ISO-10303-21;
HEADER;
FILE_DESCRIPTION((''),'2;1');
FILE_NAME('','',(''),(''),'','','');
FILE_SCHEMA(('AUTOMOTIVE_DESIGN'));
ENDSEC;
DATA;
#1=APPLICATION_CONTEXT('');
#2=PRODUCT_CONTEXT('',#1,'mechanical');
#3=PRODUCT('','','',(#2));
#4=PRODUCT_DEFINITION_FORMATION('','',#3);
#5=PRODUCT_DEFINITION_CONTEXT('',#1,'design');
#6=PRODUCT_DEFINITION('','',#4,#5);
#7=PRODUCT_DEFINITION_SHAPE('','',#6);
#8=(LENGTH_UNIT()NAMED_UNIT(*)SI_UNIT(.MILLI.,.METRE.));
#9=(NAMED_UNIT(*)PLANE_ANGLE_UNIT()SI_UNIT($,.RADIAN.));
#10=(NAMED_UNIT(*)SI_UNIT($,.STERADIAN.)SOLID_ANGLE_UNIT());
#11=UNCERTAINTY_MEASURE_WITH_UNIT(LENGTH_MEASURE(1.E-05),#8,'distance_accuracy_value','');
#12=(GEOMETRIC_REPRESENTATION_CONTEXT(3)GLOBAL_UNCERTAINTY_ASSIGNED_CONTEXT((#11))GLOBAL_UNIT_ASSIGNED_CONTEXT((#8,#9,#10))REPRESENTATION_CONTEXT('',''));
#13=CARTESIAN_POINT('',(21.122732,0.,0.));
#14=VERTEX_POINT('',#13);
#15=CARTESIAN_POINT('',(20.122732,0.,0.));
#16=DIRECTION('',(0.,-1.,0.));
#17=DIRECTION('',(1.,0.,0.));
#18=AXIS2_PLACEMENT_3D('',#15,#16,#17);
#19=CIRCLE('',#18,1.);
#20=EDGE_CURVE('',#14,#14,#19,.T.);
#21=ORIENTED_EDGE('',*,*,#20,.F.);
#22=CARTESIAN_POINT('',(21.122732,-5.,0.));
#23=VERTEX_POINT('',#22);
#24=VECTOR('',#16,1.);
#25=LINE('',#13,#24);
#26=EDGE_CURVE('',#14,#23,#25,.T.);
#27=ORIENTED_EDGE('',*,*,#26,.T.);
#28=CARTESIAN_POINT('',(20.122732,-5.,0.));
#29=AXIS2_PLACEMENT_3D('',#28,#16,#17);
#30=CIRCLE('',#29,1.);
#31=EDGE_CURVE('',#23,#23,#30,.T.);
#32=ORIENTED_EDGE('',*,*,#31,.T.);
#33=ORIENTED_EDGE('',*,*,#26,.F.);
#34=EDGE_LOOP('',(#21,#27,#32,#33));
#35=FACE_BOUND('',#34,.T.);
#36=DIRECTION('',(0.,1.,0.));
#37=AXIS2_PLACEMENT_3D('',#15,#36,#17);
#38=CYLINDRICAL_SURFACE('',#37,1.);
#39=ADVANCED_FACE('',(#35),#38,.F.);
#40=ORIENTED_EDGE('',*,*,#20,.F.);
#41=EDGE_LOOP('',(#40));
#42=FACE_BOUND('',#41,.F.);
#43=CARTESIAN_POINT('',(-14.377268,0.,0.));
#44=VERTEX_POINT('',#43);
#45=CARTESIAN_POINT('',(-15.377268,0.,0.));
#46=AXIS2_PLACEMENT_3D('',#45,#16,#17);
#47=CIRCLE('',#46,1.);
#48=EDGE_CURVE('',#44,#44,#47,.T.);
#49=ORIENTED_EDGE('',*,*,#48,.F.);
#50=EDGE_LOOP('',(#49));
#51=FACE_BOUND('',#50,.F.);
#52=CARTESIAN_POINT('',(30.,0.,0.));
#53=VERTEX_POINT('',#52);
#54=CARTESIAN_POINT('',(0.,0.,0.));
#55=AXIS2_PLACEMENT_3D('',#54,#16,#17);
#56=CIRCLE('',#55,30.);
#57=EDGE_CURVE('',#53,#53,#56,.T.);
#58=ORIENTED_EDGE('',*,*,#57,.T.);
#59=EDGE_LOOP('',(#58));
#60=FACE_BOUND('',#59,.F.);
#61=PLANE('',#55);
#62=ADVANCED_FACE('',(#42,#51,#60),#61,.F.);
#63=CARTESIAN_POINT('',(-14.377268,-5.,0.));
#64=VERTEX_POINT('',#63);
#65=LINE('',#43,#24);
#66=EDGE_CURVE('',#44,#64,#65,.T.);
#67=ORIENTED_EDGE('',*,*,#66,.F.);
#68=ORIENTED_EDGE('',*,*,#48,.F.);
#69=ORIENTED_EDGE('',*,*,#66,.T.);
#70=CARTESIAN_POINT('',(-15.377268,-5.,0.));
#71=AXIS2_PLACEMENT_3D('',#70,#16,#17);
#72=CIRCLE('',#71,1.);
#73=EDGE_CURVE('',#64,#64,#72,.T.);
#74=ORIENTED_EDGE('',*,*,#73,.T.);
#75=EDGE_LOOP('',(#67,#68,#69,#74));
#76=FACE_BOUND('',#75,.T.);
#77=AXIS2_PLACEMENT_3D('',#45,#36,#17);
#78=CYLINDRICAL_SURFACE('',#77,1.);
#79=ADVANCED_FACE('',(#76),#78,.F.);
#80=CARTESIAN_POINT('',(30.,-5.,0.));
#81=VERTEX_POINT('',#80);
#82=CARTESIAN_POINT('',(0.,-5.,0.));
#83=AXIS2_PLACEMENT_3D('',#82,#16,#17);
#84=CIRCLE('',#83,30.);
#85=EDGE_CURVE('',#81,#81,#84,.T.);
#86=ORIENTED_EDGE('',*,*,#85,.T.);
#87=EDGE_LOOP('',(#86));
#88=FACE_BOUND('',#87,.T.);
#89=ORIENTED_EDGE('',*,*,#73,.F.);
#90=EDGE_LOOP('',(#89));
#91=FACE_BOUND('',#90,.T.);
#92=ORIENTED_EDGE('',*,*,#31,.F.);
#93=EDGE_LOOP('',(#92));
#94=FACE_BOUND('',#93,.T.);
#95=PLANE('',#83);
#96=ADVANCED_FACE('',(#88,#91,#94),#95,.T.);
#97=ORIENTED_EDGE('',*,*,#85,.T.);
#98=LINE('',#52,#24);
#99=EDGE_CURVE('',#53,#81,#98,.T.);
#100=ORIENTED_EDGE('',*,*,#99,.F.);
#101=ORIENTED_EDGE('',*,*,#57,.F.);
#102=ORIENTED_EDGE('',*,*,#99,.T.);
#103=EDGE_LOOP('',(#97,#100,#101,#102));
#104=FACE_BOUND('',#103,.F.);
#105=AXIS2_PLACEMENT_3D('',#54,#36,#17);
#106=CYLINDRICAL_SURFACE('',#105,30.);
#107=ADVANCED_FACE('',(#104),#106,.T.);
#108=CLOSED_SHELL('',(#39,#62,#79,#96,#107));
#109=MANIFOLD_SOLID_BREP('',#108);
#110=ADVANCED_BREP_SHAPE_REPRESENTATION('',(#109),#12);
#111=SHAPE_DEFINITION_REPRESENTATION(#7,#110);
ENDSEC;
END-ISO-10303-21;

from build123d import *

# Parameters (mm, degrees)
F0_R     = 30
F0_R_2   = 1
F1_DEPTH = 5


with BuildPart() as f1:
    # F0 (on Front) → F1 (new body)
    with BuildSketch(Plane.XZ):
        Circle(F0_R)
        with BuildLine():
            add(Edge.make_bspline(
                [(-13.7269990519, 18.6152122915), (-15.1371462379, 16.9890722765), (-25.653916579, 18.4158717137), (-15.8511106668, 8.7845823554), (-30.7346974427, 6.8754235383), (-22.3104396416, -0.3450801485), (-28.5168594297, -12.6533137492), (-19.6802737009, -7.7894398944), (-18.7183033933, -20.3052577395), (-8.619427315, -13.5824305291), (-10.8485756599, -27.6919181052), (2.2407443314, -19.5346618116), (6.6691013214, -25.1414717323), (9.0755892453, -26.6599078915), (16.9583510328, -13.4713176979), (19.8583270216, -18.894567834), (21.2340853159, -14.454628511), (20.1886319265, -9.4870429547), (29.0799658375, -10.7330025055), (20.5992686296, -1.7212648743), (29.7543338746, 4.3123800045), (21.6161989339, 9.2363228612), (25.1868039544, 20.0594869088), (9.8165314546, 16.9604540925), (10.9622040359, 29.4586608785), (2.5915422773, 15.9031095923), (-5.6448923703, 24.2289531112), (-16.2332741317, 26.3426807082), (-12.5505094377, 19.9719053075), (-13.7269990519, 18.6152122915)],
                knots=[0, 0, 0, 0, 0.0409048309, 0.076725531, 0.1180334126, 0.1563577395, 0.2000573533, 0.2303991963, 0.2711022151, 0.3070721741, 0.3453024726, 0.3913320254, 0.4263925123, 0.4458011195, 0.4964186338, 0.5193419184, 0.5444966147, 0.573828042, 0.6044241029, 0.6435346722, 0.6821203256, 0.7190026426, 0.7584423834, 0.8049824643, 0.8394722999, 0.8818012473, 0.9279618295, 0.9658729888, 1, 1, 1, 1], degree=3))
        make_face(mode=Mode.SUBTRACT)
        with BuildLine():
            add(Edge.make_bspline(
                [(-13.7269990519, 18.6152122915), (-15.1371462379, 16.9890722765), (-25.653916579, 18.4158717137), (-15.8511106668, 8.7845823554), (-30.7346974427, 6.8754235383), (-22.3104396416, -0.3450801485), (-28.5168594297, -12.6533137492), (-19.6802737009, -7.7894398944), (-18.7183033933, -20.3052577395), (-8.619427315, -13.5824305291), (-10.8485756599, -27.6919181052), (2.2407443314, -19.5346618116), (6.6691013214, -25.1414717323), (9.0755892453, -26.6599078915), (16.9583510328, -13.4713176979), (19.8583270216, -18.894567834), (21.2340853159, -14.454628511), (20.1886319265, -9.4870429547), (29.0799658375, -10.7330025055), (20.5992686296, -1.7212648743), (29.7543338746, 4.3123800045), (21.6161989339, 9.2363228612), (25.1868039544, 20.0594869088), (9.8165314546, 16.9604540925), (10.9622040359, 29.4586608785), (2.5915422773, 15.9031095923), (-5.6448923703, 24.2289531112), (-16.2332741317, 26.3426807082), (-12.5505094377, 19.9719053075), (-13.7269990519, 18.6152122915)],
                knots=[0, 0, 0, 0, 0.0409048309, 0.076725531, 0.1180334126, 0.1563577395, 0.2000573533, 0.2303991963, 0.2711022151, 0.3070721741, 0.3453024726, 0.3913320254, 0.4263925123, 0.4458011195, 0.4964186338, 0.5193419184, 0.5444966147, 0.573828042, 0.6044241029, 0.6435346722, 0.6821203256, 0.7190026426, 0.7584423834, 0.8049824643, 0.8394722999, 0.8818012473, 0.9279618295, 0.9658729888, 1, 1, 1, 1], degree=3))
        make_face()
        with Locations((-15.3772675954, 0)):
            Circle(F0_R_2, mode=Mode.SUBTRACT)
        Polygon((0.1716255203, -2.267636041), (-4.6395142563, -5.3007458337), (-2.7900368436, -0.5325208231), (-6.8591465242, 1.8514018739), (-1.8653717592, 1.8514018739), (0, 6.6606048495), (2.1505607653, 1.8514018739), (6.7052720115, 1.8514018739), (3.1522206, -0.3885652712), (5.3488304839, -5.3007458337), align=None, mode=Mode.SUBTRACT)
        with Locations((20.1227324046, 0)):
            Circle(F0_R_2, mode=Mode.SUBTRACT)
        Polygon((-1.8653717592, 1.8514018739), (-2.7900368436, -0.5325208231), (0.1716255203, -2.267636041), (3.1522206, -0.3885652712), (2.1505607653, 1.8514018739), align=None)
        Polygon((0, 6.6606048495), (-1.8653717592, 1.8514018739), (2.1505607653, 1.8514018739), align=None)
        Polygon((3.1522206, -0.3885652712), (0.1716255203, -2.267636041), (5.3488304839, -5.3007458337), align=None)
        Polygon((-2.7900368436, -0.5325208231), (-4.6395142563, -5.3007458337), (0.1716255203, -2.267636041), align=None)
        Polygon((-6.8591465242, 1.8514018739), (-2.7900368436, -0.5325208231), (-1.8653717592, 1.8514018739), align=None)
        Polygon((2.1505607653, 1.8514018739), (3.1522206, -0.3885652712), (6.7052720115, 1.8514018739), align=None)
    extrude(amount=F1_DEPTH)


solid = f1.part
